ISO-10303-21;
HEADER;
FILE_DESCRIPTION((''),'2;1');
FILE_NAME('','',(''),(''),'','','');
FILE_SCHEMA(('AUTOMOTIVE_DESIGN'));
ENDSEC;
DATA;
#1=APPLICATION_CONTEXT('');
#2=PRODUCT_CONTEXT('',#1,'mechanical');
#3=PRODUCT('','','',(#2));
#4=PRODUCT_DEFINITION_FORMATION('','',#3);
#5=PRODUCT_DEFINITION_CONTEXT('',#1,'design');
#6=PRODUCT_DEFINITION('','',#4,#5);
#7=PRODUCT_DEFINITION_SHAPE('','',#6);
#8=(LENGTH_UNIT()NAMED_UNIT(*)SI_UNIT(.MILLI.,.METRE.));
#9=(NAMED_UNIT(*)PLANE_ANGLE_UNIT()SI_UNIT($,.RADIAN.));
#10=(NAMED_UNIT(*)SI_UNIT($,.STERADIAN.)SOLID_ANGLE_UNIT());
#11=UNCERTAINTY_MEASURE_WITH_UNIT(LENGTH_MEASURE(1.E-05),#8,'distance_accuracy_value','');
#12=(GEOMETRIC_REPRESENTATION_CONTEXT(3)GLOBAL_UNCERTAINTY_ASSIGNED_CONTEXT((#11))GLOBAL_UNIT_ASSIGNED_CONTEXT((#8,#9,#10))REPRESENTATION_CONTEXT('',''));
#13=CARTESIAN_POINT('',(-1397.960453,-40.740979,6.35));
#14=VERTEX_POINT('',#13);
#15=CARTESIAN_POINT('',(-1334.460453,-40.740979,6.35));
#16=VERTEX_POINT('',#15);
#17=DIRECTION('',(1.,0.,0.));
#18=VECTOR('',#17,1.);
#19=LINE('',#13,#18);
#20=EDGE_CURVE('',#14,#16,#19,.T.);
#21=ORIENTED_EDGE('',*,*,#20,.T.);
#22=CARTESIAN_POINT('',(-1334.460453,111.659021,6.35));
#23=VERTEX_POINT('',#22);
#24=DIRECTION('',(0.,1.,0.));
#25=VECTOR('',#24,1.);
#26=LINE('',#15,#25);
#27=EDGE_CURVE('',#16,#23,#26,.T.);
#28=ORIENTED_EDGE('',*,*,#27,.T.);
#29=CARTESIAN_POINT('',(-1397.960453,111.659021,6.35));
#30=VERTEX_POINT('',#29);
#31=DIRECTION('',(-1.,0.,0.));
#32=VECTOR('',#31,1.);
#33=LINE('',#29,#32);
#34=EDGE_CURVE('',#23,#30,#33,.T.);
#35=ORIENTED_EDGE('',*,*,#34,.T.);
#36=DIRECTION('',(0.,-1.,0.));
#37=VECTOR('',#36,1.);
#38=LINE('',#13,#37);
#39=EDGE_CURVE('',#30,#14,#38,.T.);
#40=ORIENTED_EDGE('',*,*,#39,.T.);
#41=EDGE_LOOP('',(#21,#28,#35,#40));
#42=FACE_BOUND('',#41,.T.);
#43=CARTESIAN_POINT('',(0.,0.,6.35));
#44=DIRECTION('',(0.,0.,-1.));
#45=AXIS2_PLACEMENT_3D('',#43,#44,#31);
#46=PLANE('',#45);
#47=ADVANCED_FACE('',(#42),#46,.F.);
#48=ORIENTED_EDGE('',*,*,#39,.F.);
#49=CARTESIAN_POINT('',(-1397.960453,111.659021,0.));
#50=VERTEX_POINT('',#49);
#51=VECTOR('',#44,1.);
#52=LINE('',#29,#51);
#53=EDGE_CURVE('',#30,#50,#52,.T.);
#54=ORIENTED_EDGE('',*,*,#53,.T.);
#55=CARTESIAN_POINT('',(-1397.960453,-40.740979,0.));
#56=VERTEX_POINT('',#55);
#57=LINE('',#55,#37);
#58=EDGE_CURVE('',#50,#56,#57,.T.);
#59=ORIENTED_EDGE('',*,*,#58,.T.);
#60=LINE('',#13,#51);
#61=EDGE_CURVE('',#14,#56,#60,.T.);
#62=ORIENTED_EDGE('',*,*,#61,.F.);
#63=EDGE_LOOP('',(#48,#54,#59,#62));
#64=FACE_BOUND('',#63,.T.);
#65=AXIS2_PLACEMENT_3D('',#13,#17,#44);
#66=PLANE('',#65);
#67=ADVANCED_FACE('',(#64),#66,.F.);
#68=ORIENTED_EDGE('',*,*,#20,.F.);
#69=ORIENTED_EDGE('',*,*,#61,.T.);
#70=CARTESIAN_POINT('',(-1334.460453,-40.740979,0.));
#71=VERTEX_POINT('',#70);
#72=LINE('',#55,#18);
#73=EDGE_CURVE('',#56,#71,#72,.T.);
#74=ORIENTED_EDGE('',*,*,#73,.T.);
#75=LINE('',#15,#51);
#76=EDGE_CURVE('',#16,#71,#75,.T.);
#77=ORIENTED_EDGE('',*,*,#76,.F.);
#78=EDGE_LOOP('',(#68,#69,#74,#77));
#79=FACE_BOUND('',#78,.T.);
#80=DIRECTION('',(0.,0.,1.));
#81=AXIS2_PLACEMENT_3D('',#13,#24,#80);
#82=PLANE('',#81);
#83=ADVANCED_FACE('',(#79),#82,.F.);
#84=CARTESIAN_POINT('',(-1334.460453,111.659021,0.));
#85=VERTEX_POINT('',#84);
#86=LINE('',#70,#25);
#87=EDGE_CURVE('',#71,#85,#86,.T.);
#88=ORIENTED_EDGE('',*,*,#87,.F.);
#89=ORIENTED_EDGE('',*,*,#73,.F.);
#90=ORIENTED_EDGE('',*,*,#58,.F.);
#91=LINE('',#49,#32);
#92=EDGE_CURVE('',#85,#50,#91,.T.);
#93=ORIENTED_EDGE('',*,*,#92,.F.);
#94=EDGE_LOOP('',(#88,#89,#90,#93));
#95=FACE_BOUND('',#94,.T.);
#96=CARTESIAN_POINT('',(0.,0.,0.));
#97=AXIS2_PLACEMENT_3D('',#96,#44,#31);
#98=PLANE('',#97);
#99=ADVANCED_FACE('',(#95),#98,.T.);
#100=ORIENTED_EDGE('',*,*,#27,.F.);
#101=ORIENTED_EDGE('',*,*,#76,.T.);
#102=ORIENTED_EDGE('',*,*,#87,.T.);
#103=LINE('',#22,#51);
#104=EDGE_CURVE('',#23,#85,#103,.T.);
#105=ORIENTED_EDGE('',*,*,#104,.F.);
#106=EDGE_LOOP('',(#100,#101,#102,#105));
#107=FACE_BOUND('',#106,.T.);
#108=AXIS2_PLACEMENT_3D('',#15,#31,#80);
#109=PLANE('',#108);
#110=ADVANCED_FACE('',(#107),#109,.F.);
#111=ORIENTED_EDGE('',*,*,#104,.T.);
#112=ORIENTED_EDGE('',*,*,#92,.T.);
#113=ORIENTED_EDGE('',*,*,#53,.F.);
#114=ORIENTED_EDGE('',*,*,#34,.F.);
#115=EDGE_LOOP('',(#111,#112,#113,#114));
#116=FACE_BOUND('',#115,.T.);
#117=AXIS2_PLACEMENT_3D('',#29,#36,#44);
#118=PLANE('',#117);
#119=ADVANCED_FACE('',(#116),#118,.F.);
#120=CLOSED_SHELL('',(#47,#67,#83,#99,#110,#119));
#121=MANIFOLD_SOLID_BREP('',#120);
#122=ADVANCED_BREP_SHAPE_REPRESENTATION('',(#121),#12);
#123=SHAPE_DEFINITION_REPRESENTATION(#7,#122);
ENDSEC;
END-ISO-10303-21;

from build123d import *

# Parameters (mm, degrees)
SKETCH1_W           = 63.5
SKETCH1_H           = 152.4
BOSS_EXTRUDE1_DEPTH = 6.35


with BuildPart() as part:
    # Sketch1 → Boss-Extrude1 (new body)
    with BuildSketch(Plane.XY):
        with Locations((-1366.210453354, 35.459021407)):
            Rectangle(SKETCH1_W, SKETCH1_H)
    extrude(amount=BOSS_EXTRUDE1_DEPTH)


solid = part.part
